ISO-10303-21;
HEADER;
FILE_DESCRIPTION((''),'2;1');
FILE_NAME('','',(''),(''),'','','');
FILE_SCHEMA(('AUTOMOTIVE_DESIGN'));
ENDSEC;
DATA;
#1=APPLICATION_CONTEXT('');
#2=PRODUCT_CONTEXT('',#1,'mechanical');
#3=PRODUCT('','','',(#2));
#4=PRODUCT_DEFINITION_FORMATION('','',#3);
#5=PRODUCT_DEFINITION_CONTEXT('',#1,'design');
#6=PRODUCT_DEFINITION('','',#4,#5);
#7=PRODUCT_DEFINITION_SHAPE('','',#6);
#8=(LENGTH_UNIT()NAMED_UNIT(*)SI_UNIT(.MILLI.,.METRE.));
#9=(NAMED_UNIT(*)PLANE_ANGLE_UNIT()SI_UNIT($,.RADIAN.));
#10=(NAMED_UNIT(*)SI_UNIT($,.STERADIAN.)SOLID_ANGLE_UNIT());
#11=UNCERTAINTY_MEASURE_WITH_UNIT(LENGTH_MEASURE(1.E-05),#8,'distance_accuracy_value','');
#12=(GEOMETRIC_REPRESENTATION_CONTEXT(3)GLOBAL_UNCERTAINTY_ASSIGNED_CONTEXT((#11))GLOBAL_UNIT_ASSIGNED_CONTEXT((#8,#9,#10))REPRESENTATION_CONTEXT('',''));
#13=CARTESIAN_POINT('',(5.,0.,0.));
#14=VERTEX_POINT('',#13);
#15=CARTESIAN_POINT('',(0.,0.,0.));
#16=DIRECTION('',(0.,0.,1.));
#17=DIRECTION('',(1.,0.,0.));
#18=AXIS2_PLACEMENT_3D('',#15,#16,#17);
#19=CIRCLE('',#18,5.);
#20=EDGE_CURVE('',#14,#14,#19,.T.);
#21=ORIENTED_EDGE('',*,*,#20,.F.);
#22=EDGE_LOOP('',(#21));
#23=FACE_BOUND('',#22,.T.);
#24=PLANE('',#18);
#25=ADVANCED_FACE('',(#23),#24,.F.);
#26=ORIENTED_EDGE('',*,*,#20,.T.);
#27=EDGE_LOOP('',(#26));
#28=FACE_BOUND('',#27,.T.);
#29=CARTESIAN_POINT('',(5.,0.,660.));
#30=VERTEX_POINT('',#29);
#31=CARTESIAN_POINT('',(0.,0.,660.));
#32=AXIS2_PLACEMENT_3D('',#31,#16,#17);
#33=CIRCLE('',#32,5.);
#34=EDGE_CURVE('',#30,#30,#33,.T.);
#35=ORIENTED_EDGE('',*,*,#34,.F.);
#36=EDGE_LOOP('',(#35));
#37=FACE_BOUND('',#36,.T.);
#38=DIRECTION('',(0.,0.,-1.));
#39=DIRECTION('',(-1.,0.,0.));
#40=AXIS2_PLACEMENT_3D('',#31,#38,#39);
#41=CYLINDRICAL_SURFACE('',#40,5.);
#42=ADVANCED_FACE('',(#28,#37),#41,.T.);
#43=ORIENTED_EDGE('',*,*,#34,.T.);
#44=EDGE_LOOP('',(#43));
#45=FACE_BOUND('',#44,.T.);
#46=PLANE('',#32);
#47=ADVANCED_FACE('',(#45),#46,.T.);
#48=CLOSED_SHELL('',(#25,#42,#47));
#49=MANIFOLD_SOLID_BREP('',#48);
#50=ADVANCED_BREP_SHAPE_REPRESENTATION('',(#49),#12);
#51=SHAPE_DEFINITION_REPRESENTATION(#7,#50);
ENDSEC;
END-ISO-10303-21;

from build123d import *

# Parameters (mm, degrees)
ESQUISSE1_R        = 5
BOSS_EXTRU_1_DEPTH = 660


with BuildPart() as part:
    # Esquisse1 → Boss.-Extru.1 (new body)
    with BuildSketch(Plane.XY):
        Circle(ESQUISSE1_R)
    extrude(amount=BOSS_EXTRU_1_DEPTH)


solid = part.part
